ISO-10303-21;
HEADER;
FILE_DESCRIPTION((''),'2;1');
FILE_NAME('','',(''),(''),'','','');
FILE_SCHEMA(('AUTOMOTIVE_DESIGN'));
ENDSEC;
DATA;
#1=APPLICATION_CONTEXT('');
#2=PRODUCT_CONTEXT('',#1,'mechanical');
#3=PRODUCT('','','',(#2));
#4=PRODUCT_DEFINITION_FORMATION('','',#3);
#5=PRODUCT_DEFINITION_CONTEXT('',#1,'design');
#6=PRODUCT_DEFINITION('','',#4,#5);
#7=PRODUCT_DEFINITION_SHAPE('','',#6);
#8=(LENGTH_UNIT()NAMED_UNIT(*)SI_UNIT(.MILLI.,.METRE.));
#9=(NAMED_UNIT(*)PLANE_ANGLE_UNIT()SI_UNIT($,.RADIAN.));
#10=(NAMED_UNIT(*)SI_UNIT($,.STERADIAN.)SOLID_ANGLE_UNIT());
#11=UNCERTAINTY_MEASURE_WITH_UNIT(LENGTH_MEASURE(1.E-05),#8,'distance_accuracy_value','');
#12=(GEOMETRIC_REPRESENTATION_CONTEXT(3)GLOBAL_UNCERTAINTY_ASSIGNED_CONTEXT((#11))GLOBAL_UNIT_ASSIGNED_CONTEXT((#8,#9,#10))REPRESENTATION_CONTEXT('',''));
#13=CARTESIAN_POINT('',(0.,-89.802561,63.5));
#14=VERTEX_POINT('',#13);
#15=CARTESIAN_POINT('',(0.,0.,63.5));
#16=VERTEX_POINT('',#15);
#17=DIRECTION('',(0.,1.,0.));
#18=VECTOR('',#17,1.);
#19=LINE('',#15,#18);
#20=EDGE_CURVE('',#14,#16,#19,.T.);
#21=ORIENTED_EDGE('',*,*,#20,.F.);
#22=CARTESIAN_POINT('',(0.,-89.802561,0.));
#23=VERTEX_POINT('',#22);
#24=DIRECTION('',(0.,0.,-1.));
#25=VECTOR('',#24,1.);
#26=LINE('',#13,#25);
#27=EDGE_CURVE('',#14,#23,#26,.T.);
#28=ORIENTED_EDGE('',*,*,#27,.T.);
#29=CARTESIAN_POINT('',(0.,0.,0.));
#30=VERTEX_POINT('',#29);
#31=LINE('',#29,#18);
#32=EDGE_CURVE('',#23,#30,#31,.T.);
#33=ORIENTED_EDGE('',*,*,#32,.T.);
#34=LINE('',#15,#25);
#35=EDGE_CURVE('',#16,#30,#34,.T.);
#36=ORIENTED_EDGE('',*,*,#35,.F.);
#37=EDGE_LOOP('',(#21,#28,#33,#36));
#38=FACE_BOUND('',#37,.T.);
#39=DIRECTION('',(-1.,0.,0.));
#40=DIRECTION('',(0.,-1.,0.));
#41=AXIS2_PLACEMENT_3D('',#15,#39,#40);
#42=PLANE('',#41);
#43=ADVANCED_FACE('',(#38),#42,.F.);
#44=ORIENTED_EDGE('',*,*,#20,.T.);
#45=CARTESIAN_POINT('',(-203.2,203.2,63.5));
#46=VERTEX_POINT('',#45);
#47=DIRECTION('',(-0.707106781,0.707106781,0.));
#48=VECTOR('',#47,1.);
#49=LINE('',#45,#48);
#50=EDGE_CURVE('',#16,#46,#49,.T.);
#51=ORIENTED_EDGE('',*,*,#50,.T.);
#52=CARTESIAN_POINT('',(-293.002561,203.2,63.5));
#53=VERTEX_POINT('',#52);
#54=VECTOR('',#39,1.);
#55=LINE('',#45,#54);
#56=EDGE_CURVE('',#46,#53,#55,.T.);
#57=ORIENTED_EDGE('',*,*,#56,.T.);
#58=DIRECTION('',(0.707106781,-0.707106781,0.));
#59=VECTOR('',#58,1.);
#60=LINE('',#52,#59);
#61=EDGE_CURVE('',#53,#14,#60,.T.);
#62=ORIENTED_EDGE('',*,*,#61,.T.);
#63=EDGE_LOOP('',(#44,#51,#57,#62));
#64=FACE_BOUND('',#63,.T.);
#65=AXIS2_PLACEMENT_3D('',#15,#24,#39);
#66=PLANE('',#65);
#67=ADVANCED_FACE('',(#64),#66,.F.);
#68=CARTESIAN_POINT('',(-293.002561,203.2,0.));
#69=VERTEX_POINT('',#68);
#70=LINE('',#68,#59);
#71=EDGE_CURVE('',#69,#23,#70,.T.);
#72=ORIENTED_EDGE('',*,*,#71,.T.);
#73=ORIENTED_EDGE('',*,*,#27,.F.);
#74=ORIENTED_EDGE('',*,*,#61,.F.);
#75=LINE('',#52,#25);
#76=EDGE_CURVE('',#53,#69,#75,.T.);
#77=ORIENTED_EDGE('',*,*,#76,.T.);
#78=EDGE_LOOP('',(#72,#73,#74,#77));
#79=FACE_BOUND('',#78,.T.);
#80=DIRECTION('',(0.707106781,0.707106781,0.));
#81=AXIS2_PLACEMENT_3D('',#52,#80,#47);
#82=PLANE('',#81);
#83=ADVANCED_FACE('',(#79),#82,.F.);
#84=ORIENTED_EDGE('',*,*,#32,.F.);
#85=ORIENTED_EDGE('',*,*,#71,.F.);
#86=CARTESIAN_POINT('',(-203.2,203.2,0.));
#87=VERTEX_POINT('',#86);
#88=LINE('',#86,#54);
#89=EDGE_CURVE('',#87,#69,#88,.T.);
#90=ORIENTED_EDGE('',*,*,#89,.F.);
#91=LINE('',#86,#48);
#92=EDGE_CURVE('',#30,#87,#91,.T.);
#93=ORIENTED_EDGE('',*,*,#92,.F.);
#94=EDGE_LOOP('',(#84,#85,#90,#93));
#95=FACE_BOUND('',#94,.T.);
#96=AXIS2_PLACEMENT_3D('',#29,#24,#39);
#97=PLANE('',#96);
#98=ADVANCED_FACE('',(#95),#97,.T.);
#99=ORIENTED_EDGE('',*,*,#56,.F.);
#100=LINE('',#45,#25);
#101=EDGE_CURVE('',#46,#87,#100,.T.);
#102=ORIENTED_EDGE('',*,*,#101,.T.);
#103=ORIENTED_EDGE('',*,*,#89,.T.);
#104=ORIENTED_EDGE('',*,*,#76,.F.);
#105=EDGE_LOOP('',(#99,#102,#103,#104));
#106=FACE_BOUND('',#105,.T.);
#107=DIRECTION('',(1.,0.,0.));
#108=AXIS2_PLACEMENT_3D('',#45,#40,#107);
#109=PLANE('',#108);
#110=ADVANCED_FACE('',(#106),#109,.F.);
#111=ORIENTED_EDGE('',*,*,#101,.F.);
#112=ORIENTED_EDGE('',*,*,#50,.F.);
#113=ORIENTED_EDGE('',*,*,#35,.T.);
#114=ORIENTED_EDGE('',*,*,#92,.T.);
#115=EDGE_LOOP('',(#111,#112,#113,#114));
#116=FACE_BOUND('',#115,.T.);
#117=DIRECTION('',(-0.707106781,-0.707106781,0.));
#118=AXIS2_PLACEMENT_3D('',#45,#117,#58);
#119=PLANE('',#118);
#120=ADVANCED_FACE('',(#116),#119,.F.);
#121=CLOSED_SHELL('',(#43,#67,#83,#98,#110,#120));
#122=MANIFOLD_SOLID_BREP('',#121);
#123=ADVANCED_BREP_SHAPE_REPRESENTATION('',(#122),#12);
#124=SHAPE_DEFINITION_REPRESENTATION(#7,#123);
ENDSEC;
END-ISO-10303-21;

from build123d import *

# Parameters (mm, degrees)
SALIENTE_EXTRUIR1_DEPTH = 63.5


with BuildPart() as part:
    # Croquis1 → Saliente-Extruir1 (new body)
    with BuildSketch(Plane.XY):
        Polygon((-203.2, 203.2), (0, 0), (0, -89.802561211), (-293.002561211, 203.2), align=None)
    extrude(amount=SALIENTE_EXTRUIR1_DEPTH)


solid = part.part
